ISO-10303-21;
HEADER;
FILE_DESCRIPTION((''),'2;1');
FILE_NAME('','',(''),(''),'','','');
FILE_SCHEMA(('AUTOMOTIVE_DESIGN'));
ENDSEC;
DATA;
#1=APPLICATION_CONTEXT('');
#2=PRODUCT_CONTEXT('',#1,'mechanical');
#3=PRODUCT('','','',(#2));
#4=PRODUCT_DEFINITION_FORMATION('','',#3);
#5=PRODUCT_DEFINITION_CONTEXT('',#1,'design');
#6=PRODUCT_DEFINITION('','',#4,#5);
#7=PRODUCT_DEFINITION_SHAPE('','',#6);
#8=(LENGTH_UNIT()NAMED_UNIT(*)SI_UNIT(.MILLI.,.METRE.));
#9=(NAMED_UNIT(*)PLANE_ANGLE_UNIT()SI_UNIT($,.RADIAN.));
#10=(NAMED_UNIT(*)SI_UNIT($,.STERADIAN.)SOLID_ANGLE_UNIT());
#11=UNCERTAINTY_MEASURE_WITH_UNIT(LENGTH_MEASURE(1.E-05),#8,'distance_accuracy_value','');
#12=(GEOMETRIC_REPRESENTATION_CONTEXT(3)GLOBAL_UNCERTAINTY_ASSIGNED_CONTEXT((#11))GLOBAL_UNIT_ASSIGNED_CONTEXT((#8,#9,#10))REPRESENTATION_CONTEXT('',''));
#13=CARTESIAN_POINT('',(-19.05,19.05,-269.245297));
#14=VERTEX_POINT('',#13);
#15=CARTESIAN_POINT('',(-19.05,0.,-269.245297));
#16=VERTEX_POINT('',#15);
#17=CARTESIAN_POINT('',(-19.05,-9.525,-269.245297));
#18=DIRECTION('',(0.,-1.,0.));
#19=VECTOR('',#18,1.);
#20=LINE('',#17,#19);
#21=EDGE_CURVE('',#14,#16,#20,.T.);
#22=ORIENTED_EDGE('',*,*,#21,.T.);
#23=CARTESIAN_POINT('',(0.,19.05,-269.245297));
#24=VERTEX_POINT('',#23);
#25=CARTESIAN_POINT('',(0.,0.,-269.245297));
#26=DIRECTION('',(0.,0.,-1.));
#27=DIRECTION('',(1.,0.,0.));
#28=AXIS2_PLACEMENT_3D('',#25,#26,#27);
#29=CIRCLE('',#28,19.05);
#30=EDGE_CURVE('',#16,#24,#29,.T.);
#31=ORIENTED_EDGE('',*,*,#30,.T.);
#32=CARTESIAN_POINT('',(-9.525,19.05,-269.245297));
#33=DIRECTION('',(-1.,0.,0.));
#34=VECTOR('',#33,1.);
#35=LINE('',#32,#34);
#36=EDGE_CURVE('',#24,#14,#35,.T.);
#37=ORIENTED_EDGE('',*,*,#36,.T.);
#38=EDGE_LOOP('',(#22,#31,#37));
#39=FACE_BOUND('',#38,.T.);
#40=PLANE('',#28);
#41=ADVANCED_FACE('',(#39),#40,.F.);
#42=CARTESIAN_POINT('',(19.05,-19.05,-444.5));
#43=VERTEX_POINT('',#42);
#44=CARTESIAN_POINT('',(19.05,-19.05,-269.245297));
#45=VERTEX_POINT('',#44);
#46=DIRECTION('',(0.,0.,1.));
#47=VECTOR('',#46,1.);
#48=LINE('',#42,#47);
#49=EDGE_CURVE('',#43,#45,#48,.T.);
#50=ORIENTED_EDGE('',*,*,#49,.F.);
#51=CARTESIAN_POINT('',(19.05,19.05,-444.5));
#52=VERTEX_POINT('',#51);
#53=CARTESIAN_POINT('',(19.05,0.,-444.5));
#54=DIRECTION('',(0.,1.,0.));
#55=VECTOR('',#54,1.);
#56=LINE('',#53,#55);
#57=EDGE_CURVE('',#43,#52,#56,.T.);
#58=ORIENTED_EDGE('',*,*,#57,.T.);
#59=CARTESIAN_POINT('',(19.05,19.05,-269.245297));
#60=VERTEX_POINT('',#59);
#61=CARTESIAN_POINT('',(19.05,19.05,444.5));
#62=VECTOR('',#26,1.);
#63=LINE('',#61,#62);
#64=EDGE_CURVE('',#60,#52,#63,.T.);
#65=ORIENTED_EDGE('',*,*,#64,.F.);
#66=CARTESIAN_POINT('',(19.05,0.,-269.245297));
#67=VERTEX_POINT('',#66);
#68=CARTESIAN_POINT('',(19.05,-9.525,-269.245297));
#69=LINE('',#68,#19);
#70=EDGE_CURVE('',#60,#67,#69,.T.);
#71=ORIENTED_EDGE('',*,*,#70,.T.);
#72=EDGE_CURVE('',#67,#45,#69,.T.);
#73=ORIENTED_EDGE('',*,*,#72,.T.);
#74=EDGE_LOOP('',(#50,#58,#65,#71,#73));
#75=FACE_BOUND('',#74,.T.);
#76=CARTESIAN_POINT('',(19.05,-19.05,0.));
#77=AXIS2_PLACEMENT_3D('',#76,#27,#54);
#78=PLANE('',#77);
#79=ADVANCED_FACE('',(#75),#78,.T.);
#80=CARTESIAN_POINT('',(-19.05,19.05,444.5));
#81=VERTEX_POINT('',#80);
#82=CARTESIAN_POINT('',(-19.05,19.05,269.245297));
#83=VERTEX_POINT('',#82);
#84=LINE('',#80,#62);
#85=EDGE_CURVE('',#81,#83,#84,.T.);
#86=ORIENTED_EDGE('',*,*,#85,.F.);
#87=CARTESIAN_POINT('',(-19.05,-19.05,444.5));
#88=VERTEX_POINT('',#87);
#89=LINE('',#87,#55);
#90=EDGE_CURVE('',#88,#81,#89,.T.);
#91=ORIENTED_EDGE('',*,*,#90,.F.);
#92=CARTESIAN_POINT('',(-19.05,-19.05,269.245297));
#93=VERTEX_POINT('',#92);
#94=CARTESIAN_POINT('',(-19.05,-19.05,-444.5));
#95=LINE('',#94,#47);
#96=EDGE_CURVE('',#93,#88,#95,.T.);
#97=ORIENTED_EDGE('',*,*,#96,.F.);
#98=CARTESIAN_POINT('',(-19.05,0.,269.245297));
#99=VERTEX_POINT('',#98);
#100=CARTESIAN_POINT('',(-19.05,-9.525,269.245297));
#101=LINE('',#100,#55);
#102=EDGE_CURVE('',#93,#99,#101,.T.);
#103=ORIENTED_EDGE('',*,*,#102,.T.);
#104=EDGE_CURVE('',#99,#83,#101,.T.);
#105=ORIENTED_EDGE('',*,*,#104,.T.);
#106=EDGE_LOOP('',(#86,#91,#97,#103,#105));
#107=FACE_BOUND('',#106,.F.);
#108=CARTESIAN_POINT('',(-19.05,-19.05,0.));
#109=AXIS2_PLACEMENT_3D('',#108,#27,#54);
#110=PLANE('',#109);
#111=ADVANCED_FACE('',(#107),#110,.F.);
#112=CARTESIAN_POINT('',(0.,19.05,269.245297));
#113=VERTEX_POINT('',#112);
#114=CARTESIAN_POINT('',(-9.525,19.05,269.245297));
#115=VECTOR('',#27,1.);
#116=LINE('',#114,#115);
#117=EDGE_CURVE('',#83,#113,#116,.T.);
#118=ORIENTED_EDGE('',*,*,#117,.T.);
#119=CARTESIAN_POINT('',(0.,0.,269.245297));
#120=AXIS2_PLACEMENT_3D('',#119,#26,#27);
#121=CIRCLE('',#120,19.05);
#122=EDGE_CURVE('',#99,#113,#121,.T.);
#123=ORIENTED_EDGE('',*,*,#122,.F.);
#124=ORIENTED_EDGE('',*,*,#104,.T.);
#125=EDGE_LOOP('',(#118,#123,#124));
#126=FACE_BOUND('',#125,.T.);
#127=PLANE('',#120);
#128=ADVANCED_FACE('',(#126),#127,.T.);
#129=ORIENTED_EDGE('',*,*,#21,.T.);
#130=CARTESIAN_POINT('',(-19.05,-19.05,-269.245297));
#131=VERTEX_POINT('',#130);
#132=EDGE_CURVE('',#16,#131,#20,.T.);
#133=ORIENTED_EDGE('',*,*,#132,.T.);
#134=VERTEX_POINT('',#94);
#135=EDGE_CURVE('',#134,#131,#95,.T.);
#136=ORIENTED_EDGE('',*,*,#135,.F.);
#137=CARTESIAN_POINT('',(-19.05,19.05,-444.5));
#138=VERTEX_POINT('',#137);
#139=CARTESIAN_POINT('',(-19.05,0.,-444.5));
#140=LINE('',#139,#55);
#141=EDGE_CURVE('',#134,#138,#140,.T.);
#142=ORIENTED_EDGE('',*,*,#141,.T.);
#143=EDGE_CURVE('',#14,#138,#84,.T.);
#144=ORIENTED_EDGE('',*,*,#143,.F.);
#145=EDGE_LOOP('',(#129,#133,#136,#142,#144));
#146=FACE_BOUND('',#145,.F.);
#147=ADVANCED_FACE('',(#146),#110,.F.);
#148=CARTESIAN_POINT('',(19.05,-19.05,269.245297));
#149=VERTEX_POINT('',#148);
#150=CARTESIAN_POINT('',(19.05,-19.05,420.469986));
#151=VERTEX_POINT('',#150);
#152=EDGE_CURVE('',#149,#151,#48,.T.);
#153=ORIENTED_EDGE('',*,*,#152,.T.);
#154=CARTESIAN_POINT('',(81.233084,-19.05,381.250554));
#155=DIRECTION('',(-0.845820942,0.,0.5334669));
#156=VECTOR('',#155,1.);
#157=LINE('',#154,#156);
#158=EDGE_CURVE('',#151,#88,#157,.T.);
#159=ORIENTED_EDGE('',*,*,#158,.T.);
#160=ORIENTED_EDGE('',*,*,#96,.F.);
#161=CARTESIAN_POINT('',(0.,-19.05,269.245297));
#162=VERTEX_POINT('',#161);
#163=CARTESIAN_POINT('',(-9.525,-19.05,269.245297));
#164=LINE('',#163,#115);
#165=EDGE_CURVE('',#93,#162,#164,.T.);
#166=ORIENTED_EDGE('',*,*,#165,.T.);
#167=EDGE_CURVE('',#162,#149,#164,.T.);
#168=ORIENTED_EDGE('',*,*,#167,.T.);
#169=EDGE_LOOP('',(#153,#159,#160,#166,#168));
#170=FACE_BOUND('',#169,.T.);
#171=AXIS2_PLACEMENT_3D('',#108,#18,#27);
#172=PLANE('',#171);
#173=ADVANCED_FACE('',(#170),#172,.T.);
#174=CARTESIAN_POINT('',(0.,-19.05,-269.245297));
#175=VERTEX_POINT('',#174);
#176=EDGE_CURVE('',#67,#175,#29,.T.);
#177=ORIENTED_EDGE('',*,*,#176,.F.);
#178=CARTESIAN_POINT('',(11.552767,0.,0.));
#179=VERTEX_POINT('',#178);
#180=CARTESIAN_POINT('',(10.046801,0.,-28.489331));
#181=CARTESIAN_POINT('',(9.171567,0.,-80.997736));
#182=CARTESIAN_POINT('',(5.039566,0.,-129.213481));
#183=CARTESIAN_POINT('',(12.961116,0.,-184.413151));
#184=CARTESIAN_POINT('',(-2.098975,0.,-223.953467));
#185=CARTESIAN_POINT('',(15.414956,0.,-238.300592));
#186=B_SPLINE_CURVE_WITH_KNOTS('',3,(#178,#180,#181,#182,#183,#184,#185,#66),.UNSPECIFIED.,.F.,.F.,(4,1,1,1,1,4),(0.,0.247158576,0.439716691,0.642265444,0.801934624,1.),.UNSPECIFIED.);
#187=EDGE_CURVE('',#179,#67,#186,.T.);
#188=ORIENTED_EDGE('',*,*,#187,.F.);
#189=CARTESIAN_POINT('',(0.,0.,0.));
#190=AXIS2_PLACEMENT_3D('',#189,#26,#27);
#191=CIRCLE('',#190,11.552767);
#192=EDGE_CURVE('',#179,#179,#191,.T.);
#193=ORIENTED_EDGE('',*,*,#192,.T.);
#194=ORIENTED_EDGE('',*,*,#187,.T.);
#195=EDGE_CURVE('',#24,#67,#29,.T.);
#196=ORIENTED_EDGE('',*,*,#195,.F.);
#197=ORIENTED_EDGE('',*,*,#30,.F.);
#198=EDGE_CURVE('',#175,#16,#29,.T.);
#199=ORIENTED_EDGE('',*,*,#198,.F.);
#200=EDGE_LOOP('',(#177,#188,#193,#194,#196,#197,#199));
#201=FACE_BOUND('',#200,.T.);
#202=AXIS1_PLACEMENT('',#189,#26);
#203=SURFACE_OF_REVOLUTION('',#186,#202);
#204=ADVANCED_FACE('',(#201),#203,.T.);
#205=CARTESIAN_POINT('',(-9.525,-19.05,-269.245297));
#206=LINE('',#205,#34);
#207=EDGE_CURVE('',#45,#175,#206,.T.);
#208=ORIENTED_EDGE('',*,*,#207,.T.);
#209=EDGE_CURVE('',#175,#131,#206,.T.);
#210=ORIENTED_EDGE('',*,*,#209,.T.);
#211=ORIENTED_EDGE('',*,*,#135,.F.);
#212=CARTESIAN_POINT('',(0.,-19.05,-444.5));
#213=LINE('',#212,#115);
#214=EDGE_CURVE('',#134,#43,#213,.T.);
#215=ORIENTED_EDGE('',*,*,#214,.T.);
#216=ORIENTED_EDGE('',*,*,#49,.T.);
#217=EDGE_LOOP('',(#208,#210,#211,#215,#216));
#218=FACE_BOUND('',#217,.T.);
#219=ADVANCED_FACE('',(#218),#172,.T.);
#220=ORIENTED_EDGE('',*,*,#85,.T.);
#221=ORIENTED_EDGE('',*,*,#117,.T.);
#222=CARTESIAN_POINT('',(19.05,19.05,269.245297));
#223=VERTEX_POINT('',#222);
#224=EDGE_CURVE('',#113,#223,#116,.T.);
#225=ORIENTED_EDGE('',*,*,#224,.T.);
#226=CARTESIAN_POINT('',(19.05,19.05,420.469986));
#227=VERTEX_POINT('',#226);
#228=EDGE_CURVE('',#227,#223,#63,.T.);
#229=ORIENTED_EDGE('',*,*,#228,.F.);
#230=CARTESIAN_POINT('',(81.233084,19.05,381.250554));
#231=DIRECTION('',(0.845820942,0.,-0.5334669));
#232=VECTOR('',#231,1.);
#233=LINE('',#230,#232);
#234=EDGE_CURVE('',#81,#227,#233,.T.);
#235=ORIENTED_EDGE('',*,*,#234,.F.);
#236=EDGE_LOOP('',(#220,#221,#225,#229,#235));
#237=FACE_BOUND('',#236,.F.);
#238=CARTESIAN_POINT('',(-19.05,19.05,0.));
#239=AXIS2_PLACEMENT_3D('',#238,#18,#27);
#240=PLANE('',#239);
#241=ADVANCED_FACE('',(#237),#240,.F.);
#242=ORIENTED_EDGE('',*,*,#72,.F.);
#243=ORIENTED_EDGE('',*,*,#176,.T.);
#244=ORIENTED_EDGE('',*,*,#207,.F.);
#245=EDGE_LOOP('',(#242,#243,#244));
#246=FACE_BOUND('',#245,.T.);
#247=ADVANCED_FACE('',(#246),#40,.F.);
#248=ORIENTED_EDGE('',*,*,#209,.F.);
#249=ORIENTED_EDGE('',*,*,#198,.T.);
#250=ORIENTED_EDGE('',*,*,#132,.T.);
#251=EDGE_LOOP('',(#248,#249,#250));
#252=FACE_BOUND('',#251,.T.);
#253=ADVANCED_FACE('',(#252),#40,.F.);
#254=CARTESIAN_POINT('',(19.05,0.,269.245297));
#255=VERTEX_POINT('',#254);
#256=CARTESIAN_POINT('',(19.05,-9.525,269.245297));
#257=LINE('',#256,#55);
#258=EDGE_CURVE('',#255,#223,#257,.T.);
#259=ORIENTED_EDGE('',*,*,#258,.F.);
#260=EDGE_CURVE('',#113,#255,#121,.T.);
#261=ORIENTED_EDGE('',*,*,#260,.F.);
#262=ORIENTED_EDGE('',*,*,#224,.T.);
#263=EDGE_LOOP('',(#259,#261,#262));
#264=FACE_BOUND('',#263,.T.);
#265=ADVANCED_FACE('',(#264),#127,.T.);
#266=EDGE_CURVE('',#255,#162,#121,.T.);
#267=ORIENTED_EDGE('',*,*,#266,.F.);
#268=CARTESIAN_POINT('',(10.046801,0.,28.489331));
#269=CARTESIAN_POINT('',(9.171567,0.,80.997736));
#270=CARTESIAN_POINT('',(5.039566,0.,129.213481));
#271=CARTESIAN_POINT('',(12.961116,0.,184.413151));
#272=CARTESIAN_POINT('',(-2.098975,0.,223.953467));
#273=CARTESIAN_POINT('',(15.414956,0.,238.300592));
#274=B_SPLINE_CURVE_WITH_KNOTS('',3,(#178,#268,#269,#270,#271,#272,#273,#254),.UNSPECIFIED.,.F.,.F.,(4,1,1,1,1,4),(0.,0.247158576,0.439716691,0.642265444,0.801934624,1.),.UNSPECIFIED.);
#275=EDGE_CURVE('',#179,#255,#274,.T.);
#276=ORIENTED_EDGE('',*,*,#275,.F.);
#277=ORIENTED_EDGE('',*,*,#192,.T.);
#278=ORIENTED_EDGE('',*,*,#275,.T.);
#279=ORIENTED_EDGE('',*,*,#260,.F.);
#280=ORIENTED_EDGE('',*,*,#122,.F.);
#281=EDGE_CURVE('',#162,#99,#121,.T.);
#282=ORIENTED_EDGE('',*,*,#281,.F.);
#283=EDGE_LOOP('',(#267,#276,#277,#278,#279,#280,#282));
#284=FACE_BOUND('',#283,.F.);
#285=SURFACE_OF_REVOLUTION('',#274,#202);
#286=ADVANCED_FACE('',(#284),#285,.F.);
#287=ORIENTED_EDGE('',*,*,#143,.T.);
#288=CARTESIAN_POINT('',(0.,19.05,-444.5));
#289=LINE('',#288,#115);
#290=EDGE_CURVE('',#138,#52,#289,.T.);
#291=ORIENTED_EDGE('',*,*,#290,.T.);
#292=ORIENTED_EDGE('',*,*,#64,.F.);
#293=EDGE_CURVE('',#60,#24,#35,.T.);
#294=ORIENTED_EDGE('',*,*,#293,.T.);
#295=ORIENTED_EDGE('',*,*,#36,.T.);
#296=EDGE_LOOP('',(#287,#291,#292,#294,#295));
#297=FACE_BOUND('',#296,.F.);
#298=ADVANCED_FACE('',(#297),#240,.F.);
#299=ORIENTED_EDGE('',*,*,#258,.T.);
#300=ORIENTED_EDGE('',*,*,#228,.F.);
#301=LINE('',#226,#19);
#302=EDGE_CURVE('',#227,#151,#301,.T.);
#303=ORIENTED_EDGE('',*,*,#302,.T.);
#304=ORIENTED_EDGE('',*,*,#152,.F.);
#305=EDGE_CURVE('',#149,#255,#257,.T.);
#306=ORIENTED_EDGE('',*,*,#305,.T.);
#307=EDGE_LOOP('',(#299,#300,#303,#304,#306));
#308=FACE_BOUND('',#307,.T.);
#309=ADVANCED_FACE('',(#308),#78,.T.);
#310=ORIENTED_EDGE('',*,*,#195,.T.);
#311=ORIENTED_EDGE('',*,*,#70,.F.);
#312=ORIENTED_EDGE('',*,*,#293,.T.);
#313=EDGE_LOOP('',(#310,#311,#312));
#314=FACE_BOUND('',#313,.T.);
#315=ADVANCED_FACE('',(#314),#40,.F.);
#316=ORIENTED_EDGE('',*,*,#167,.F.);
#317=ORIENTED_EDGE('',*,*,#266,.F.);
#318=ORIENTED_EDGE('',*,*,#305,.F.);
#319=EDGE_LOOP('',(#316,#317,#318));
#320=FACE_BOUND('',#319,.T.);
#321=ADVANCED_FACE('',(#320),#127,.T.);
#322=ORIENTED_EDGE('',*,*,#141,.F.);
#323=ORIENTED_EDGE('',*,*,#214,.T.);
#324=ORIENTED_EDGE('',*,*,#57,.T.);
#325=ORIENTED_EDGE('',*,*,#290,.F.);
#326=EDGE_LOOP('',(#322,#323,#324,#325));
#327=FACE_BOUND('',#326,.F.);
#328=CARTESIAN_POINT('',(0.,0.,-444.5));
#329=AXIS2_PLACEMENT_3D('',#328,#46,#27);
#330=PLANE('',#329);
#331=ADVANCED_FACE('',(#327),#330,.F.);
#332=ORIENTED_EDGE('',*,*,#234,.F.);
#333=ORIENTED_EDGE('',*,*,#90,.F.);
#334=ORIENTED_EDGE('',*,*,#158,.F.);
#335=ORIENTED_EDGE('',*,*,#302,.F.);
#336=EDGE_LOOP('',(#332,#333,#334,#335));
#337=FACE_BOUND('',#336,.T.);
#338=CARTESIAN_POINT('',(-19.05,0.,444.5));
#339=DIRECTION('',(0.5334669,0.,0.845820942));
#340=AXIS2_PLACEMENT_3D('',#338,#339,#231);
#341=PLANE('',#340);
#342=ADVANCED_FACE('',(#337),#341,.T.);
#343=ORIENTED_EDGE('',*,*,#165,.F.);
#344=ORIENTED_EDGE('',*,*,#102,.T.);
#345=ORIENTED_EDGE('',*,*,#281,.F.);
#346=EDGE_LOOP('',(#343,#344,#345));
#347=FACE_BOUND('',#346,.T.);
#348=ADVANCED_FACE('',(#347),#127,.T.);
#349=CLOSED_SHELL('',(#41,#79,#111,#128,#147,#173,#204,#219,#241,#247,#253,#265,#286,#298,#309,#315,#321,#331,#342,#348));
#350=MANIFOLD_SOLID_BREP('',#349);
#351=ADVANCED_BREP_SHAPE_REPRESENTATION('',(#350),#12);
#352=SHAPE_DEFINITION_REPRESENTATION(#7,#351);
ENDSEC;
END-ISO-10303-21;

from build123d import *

# Parameters (mm, degrees)
F0_W          = 38.1
F0_H          = 38.1
F1_DEPTH      = 444.5
F5_DEPTH      = 19.0510001
F5_DEPTH_BACK = 19.0510001


with BuildPart() as f1:
    # F0 (on Top) → F1 (new body, symmetric)
    with BuildSketch(Plane.XY):
        Rectangle(F0_W, F0_H)
    extrude(amount=F1_DEPTH, both=True)

    # F2 (on Front) → F3 (revolve, cut)
    with BuildSketch(Plane.XZ):
        with BuildLine():
            add(Edge.make_bspline(
                [(11.5527668968, 0), (10.046800866, 28.4893312995), (9.1715674295, 80.9977363485), (5.0395663967, 129.2134805839), (12.9611159905, 184.4131507626), (-2.0989746226, 223.9534673168), (15.4149563286, 238.300591961), (19.05, 269.2452967167)],
                knots=[0, 0, 0, 0, 0.2471585757, 0.4397166911, 0.6422654444, 0.8019346241, 1, 1, 1, 1], degree=3))
            add(Edge.make_bspline(
                [(11.5527668968, 0), (10.046800866, -28.4893312995), (9.1715674295, -80.9977363485), (5.0395663967, -129.2134805839), (12.9611159905, -184.4131507626), (-2.0989746226, -223.9534673168), (15.4149563286, -238.300591961), (19.05, -269.2452967167)],
                knots=[0, 0, 0, 0, 0.2471585757, 0.4397166911, 0.6422654444, 0.8019346241, 1, 1, 1, 1], degree=3))
            Line((19.05, -269.2452967167), (67.6923958421, -269.2452967167))
            Line((67.6923958421, -269.2452967167), (67.6923958421, 269.2452967167))
            Line((67.6923958421, 269.2452967167), (19.05, 269.2452967167))
        make_face()
    revolve(axis=Axis((0, 0, 0), (0, 0, -1)), mode=Mode.SUBTRACT)

    # F4 (on Front) → F5 (cut, two sides)
    with BuildSketch(Plane.XZ) as f5_sk:
        Polygon((19.05, 444.5), (-19.05, 444.5), (19.05, 420.4699862058), align=None)
    extrude(amount=-F5_DEPTH, mode=Mode.SUBTRACT)
    extrude(f5_sk.sketch, amount=F5_DEPTH_BACK, mode=Mode.SUBTRACT)


solid = f1.part
